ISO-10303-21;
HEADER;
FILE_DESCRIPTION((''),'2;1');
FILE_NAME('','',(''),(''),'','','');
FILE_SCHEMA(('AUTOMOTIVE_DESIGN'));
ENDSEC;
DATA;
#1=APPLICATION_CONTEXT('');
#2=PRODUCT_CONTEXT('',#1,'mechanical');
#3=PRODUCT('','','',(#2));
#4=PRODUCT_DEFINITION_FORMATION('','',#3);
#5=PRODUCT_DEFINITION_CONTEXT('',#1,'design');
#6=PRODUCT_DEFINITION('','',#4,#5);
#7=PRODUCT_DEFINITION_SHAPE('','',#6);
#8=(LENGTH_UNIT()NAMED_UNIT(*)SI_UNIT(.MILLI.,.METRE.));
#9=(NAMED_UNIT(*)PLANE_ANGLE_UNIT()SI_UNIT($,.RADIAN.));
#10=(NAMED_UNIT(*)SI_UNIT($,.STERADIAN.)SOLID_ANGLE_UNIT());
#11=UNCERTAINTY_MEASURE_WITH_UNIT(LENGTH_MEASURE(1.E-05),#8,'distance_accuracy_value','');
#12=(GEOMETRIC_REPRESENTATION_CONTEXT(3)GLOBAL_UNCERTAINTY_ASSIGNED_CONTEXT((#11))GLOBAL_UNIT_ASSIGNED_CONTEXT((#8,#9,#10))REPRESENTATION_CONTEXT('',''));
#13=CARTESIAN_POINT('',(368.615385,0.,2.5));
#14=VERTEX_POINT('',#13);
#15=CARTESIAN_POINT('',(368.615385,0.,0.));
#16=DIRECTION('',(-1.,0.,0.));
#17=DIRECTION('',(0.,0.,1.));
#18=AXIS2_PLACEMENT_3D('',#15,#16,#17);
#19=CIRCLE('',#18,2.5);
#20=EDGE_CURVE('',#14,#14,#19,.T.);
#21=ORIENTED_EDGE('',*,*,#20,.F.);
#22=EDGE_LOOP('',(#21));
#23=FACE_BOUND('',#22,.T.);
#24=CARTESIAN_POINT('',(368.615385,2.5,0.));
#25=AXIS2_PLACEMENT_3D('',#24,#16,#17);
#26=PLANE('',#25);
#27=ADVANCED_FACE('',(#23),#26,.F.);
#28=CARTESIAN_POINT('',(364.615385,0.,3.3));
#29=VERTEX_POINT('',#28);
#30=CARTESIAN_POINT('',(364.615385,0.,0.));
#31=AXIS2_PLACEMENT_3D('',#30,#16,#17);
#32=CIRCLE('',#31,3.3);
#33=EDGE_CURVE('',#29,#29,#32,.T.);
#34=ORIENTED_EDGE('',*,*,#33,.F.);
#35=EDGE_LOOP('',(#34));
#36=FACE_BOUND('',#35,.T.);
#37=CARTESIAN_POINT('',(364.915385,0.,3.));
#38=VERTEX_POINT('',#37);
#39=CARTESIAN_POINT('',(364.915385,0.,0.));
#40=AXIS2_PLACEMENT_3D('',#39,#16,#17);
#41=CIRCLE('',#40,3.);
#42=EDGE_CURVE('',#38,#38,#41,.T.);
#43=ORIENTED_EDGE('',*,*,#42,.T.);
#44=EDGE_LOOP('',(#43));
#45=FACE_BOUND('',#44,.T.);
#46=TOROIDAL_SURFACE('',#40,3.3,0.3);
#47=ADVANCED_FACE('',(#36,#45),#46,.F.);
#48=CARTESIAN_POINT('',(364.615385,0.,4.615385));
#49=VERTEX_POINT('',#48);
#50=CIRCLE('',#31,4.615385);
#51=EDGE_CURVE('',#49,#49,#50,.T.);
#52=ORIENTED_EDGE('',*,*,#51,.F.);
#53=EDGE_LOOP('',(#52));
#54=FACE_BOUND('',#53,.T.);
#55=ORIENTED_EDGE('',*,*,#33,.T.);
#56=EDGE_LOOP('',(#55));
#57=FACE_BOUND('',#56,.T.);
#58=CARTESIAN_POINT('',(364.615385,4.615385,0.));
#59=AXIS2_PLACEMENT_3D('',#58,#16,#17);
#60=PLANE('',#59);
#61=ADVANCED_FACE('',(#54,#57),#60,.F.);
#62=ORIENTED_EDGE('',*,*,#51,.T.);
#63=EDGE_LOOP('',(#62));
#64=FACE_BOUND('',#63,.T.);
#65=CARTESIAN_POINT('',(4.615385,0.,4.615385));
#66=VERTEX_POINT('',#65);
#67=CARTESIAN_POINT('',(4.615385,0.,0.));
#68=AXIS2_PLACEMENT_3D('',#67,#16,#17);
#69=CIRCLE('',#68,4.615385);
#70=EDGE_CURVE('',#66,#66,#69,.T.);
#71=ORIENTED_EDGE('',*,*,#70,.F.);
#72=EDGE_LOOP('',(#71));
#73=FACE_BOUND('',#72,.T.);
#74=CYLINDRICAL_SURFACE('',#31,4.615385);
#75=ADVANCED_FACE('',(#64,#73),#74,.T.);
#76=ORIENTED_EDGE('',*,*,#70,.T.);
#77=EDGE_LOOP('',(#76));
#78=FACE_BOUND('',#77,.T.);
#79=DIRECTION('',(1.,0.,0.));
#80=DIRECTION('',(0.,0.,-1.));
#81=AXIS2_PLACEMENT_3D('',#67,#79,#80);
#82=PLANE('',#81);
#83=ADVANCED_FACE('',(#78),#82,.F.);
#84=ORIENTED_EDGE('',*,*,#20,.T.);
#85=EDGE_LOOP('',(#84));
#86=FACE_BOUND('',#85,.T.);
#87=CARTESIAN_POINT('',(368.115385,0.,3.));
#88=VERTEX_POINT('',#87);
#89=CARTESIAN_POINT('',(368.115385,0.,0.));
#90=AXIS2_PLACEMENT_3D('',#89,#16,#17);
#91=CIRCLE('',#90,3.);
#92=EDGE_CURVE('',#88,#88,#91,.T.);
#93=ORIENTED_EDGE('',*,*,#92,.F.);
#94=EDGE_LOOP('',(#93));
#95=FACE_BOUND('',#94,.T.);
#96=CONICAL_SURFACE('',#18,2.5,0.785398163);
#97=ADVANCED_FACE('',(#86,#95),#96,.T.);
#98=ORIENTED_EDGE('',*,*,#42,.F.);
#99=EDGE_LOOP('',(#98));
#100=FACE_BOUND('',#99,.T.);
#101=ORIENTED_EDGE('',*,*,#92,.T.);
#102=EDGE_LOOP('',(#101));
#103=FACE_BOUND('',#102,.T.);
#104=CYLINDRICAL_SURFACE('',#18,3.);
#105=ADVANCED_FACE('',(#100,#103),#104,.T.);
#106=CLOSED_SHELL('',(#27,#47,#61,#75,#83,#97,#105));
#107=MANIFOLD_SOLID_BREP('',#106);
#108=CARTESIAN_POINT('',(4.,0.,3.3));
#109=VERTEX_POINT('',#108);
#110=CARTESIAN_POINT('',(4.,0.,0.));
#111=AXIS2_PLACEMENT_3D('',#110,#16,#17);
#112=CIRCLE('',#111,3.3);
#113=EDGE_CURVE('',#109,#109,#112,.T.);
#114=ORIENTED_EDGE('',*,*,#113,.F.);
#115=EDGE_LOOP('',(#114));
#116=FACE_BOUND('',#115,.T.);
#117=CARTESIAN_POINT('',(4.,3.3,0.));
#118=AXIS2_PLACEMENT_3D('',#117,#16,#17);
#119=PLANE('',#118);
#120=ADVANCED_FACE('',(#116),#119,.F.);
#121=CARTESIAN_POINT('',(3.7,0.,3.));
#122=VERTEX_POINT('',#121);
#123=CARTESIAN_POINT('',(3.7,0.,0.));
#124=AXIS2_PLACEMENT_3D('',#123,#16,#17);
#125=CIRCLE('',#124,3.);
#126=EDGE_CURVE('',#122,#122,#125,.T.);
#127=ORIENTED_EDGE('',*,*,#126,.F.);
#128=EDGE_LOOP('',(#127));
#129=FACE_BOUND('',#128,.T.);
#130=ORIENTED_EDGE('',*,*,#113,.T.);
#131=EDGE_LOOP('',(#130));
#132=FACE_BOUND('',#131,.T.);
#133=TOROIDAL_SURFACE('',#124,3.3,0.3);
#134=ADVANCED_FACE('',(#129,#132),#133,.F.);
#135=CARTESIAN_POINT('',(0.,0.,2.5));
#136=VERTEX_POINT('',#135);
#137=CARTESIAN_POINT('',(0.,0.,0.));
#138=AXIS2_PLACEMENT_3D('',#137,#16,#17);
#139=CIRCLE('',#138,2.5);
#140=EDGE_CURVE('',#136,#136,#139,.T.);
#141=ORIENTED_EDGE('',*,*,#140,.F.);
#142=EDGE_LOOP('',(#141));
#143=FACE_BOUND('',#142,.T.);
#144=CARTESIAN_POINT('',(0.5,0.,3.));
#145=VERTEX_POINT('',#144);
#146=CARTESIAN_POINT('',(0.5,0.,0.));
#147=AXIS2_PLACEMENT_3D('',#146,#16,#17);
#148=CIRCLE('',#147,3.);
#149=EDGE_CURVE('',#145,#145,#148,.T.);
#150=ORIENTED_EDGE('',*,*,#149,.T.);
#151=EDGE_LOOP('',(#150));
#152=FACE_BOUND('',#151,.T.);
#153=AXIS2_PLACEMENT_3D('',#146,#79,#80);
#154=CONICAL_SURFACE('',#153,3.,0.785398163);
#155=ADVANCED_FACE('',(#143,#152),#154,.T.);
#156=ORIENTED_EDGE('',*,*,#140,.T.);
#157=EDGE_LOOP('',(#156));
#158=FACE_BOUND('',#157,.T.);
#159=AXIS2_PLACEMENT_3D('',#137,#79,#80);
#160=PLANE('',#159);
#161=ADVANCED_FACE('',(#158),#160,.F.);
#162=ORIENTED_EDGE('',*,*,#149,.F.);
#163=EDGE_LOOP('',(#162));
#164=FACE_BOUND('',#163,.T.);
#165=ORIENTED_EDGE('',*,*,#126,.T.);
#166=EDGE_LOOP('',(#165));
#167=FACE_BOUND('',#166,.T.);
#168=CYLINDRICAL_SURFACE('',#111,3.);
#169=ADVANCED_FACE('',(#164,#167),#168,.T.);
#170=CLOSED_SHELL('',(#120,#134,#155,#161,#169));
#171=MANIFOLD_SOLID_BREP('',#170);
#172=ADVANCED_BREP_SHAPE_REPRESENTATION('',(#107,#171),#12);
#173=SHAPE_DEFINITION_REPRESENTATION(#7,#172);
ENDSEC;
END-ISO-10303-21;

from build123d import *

# Parameters (mm, degrees)
SKETCH1_W = 360
SKETCH1_H = 4.615384615


with BuildPart() as part:
    # Sketch1 → Revolve1 (revolve)
    with BuildSketch(Plane.XY, mode=Mode.PRIVATE) as revolve1_sk:
        with Locations((184.615384615, 2.307692307)):
            Rectangle(SKETCH1_W, SKETCH1_H)
    revolve(revolve1_sk.sketch.rotate(Axis((364.615384615, 0, 0), (-1, 0, 0)), 270), axis=Axis((364.615384615, 0, 0), (-1, 0, 0)))

    # Sketch3 → Revolve3 (revolve)
    with BuildSketch(Plane.XY, mode=Mode.PRIVATE) as revolve3_sk:
        with BuildLine():
            Line((364.615384615, 0), (364.615384615, 3.3))
            ThreePointArc((364.615384615, 3.3), (364.703252581, 3.087867966), (364.915384615, 3))
            Line((364.915384615, 3), (368.115384615, 3))
            Line((368.115384615, 3), (368.615384615, 2.5))
            Line((368.615384615, 2.5), (368.615384615, 0))
            Line((368.615384615, 0), (364.615384615, 0))
        make_face()
    revolve(revolve3_sk.sketch.rotate(Axis((368.615384615, 0, 0), (-1, 0, 0)), 270), axis=Axis((368.615384615, 0, 0), (-1, 0, 0)))


with BuildPart() as body_2:
    # Sketch2 → Revolve2 (revolve)
    with BuildSketch(Plane.XY, mode=Mode.PRIVATE) as revolve2_sk:
        with BuildLine():
            Line((0, 0), (0, 2.5))
            Line((0, 2.5), (0.5, 3))
            Line((0.5, 3), (3.7, 3))
            ThreePointArc((3.7, 3), (3.912132034, 3.087867966), (4, 3.3))
            Line((4, 3.3), (4, 0))
            Line((4, 0), (0, 0))
        make_face()
    revolve(revolve2_sk.sketch.rotate(Axis((4, 0, 0), (-1, 0, 0)), 270), axis=Axis((4, 0, 0), (-1, 0, 0)))


solid = Compound([part.part, body_2.part])
